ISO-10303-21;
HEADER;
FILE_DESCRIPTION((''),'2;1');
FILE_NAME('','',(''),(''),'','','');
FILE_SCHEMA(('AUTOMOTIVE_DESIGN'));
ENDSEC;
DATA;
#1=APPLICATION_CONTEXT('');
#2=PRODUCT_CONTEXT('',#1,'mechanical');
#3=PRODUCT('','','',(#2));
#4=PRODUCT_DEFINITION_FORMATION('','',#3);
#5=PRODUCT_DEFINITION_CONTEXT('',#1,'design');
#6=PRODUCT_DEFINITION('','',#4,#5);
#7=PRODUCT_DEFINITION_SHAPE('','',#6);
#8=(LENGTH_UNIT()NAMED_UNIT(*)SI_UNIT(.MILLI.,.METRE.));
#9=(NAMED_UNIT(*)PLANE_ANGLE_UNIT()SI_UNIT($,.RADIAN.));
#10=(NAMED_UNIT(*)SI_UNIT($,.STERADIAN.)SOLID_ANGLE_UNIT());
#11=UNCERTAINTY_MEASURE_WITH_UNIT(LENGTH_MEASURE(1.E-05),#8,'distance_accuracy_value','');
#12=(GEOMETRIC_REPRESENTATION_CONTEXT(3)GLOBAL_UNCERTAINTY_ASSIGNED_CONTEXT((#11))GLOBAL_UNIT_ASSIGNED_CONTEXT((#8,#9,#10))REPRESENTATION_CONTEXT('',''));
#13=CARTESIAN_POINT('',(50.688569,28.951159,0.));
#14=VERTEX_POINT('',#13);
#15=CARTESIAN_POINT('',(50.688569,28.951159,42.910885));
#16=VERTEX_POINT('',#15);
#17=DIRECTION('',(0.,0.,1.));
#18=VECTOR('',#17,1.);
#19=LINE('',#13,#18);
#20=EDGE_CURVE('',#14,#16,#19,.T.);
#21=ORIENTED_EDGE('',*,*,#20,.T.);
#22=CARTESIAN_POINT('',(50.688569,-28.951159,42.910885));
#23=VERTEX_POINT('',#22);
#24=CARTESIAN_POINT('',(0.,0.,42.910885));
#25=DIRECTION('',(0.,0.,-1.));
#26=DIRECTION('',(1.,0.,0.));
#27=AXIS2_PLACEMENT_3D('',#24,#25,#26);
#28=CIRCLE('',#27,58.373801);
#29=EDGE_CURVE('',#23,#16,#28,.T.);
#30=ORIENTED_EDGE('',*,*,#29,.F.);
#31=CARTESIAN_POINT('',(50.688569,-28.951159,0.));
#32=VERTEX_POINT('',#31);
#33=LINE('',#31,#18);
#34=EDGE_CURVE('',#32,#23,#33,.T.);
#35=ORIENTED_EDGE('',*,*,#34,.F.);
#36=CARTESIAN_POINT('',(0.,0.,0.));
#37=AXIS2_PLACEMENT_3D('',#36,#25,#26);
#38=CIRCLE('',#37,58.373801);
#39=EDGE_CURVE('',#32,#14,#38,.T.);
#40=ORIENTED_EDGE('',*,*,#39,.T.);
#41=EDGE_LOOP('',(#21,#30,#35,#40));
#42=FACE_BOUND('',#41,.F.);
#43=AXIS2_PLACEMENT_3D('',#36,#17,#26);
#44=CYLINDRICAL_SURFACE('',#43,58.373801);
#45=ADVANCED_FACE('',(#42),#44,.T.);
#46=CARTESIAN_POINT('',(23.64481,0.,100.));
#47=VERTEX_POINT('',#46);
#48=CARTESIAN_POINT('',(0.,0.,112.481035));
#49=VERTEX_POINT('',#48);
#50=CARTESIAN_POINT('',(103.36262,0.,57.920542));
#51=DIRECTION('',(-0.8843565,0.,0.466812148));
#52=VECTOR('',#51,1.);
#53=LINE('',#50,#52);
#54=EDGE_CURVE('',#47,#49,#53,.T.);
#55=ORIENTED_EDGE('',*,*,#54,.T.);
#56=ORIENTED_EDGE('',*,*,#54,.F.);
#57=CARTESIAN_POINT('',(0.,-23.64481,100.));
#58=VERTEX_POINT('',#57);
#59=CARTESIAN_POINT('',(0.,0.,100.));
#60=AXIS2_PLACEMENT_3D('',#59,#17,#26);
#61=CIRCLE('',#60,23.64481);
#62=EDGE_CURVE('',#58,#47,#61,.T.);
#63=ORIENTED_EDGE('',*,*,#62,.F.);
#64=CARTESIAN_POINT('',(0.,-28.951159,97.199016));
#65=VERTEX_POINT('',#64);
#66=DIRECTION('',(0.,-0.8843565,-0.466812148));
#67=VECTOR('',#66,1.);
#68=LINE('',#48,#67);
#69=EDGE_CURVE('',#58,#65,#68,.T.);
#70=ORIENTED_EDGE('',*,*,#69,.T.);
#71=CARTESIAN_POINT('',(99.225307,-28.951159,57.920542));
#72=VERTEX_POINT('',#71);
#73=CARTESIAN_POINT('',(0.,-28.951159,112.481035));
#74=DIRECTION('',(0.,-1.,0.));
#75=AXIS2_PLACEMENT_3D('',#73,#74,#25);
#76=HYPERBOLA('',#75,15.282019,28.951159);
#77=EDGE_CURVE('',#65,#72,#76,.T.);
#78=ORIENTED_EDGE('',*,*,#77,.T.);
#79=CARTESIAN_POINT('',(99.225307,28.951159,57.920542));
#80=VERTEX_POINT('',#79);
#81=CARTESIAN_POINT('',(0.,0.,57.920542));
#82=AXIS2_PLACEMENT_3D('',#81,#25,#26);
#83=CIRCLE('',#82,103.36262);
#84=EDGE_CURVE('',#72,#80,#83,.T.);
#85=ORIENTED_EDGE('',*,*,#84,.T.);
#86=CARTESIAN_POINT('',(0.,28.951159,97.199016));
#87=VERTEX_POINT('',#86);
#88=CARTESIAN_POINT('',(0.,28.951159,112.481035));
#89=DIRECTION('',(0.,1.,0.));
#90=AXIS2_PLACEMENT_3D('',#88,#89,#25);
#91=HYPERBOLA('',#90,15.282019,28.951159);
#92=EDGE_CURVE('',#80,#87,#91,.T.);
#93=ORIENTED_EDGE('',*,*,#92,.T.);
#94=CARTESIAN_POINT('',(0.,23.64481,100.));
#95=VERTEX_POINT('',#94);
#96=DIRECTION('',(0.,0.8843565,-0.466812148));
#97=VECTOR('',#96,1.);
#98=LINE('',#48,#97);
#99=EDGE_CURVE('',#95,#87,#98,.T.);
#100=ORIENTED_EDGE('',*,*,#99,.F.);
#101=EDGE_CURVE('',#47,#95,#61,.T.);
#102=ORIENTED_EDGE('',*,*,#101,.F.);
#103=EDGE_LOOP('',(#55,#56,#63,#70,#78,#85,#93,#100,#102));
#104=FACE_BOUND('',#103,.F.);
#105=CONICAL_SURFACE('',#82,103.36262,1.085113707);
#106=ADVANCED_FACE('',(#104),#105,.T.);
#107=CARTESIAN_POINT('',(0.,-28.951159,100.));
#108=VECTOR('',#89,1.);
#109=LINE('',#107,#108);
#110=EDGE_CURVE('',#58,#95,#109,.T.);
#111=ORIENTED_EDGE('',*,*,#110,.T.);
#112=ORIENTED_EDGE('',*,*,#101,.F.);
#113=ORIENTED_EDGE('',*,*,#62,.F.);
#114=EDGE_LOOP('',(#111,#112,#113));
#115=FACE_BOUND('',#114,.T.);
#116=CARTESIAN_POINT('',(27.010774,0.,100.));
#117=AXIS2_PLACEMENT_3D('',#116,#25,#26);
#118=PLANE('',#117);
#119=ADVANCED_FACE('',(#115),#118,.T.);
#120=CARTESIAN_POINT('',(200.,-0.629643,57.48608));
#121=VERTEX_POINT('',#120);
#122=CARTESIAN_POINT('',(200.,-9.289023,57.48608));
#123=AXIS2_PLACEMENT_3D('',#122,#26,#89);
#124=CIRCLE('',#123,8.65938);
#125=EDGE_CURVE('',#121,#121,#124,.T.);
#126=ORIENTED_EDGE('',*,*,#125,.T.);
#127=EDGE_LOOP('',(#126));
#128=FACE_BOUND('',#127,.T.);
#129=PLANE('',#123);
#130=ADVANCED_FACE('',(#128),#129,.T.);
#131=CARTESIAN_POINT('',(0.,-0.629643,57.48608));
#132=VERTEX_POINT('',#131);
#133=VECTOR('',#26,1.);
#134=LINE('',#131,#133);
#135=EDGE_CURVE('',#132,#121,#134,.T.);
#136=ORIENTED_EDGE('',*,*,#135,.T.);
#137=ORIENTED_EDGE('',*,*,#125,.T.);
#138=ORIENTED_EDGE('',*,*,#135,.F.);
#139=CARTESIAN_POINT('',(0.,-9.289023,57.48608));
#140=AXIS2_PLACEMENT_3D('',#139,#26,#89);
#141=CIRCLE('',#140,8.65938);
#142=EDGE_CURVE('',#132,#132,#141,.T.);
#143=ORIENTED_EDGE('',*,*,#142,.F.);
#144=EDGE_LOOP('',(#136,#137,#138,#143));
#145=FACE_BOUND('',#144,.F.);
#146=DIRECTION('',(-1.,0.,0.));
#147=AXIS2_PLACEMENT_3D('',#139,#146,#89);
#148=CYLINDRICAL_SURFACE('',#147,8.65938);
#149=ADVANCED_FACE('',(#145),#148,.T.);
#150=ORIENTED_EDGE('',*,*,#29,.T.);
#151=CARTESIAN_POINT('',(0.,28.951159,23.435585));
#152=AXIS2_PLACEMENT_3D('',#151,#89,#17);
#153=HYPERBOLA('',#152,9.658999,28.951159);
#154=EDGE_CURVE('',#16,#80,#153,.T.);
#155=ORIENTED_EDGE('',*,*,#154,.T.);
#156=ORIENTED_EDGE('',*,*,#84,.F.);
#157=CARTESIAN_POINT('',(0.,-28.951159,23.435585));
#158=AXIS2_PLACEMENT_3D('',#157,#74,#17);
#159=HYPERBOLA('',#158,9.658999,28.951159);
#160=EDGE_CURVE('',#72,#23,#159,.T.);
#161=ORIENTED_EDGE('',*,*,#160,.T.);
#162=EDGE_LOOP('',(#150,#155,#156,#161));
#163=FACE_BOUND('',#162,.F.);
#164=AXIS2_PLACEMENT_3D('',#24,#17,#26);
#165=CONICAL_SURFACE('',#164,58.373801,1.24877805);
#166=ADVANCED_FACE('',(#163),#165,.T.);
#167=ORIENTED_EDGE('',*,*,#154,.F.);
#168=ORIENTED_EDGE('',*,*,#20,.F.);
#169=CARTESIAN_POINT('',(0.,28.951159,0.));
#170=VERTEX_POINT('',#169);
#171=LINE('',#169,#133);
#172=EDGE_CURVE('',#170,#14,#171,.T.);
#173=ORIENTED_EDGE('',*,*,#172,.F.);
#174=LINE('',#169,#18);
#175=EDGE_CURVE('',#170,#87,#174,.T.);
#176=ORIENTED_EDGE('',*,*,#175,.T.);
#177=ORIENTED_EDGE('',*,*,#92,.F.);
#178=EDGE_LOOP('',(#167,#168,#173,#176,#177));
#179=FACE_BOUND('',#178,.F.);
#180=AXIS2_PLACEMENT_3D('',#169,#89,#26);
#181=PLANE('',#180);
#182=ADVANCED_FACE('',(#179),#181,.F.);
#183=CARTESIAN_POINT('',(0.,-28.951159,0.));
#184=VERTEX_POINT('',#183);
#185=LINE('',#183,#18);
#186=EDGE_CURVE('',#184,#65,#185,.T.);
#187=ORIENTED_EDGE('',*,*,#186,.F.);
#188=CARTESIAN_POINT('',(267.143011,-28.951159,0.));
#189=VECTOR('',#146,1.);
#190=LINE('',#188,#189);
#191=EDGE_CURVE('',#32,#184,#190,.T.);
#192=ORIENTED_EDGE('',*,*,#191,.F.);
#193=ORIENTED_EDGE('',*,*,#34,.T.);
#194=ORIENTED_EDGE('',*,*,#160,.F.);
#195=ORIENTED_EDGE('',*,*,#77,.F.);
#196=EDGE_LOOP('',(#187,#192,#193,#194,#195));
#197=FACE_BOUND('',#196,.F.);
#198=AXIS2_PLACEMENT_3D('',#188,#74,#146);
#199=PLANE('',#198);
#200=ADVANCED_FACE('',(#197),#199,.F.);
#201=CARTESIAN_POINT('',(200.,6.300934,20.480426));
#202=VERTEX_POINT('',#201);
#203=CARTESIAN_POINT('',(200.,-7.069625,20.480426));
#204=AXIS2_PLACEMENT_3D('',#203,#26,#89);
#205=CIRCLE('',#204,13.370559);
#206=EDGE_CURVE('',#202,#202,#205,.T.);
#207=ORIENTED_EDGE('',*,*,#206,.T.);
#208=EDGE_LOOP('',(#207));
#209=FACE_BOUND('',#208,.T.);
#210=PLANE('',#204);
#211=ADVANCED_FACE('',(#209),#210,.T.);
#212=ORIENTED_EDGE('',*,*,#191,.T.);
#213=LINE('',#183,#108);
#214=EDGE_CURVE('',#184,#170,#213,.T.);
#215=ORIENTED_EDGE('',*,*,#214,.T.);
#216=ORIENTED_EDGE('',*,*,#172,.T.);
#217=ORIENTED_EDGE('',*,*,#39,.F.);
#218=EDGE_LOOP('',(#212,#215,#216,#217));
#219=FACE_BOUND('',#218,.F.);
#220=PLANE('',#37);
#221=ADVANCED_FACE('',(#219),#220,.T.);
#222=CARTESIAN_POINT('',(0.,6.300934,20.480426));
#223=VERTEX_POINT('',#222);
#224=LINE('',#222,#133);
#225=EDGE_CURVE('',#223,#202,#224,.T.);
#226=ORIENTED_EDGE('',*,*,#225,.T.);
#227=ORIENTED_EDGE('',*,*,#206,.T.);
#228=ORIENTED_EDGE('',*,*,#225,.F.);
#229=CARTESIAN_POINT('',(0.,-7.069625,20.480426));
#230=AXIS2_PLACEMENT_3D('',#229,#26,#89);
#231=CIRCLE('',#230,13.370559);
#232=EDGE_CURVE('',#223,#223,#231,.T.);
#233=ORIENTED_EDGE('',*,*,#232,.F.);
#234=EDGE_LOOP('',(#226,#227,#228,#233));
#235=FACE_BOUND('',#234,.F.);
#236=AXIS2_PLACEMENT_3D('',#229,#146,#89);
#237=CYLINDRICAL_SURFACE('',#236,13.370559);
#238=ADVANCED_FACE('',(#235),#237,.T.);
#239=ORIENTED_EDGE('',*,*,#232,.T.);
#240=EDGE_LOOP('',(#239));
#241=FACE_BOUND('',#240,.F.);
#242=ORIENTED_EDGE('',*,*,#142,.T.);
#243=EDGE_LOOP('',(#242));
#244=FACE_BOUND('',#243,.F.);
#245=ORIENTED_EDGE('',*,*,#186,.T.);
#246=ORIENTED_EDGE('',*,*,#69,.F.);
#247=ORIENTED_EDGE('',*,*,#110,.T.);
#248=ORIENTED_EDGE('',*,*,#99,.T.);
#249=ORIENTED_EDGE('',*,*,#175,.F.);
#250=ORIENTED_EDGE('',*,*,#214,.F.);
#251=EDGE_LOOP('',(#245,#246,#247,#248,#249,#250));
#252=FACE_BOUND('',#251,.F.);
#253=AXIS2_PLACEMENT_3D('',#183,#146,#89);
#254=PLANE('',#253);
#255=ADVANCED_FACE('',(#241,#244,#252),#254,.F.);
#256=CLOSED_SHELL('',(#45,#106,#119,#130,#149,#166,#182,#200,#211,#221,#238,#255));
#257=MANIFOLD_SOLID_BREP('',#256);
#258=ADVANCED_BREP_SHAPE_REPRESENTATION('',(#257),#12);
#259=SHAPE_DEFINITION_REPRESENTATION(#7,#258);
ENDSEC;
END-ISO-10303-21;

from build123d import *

# Parameters (mm, degrees)
F3_DEPTH = 100
F4_R     = 8.65938
F4_R_2   = 13.370559
F5_DEPTH = 200


with BuildPart() as f1:
    # F0 (on Front) → F1 (revolve)
    with BuildSketch(Plane.XZ):
        Polygon((0, 112.481035), (0, 0), (58.373801, 0), (58.373801, 42.910885), (103.36262, 57.920542), align=None)
    revolve(axis=Axis((0, 0, 56.240518), (0, 0, -1)))

    # F2 (on face) → F3 (cut)
    with BuildSketch(Plane(origin=(0, 0, 0), x_dir=(1, 0, 0), z_dir=(0, 0, -1))):
        with BuildLine():
            Line((0, 28.951159), (0, -28.951159))
            Line((0, -28.951159), (50.68857, -28.951159))
            ThreePointArc((50.68857, -28.951159), (56.419789, -14.976919), (58.373801, 0))
            ThreePointArc((58.373801, 0), (56.419789, 14.976919), (50.68857, 28.951159))
            Line((50.68857, 28.951159), (0, 28.951159))
        make_face()
        with BuildLine():
            ThreePointArc((58.373801, 0), (56.419789, -14.976919), (50.68857, -28.951159))
            Line((50.68857, -28.951159), (267.143011, -28.951159))
            Line((267.143011, -28.951159), (267.143011, 28.951159))
            Line((267.143011, 28.951159), (50.68857, 28.951159))
            ThreePointArc((50.68857, 28.951159), (56.419789, 14.976919), (58.373801, 0))
        make_face()
    extrude(amount=-F3_DEPTH, mode=Mode.SUBTRACT)

    # F4 (on face) → F5 (join)
    with BuildSketch(Plane.YZ):
        with Locations((-9.289023, 57.48608)):
            Circle(F4_R)
        with Locations((-7.069625, 20.480426)):
            Circle(F4_R_2)
    extrude(amount=F5_DEPTH)


solid = f1.part
